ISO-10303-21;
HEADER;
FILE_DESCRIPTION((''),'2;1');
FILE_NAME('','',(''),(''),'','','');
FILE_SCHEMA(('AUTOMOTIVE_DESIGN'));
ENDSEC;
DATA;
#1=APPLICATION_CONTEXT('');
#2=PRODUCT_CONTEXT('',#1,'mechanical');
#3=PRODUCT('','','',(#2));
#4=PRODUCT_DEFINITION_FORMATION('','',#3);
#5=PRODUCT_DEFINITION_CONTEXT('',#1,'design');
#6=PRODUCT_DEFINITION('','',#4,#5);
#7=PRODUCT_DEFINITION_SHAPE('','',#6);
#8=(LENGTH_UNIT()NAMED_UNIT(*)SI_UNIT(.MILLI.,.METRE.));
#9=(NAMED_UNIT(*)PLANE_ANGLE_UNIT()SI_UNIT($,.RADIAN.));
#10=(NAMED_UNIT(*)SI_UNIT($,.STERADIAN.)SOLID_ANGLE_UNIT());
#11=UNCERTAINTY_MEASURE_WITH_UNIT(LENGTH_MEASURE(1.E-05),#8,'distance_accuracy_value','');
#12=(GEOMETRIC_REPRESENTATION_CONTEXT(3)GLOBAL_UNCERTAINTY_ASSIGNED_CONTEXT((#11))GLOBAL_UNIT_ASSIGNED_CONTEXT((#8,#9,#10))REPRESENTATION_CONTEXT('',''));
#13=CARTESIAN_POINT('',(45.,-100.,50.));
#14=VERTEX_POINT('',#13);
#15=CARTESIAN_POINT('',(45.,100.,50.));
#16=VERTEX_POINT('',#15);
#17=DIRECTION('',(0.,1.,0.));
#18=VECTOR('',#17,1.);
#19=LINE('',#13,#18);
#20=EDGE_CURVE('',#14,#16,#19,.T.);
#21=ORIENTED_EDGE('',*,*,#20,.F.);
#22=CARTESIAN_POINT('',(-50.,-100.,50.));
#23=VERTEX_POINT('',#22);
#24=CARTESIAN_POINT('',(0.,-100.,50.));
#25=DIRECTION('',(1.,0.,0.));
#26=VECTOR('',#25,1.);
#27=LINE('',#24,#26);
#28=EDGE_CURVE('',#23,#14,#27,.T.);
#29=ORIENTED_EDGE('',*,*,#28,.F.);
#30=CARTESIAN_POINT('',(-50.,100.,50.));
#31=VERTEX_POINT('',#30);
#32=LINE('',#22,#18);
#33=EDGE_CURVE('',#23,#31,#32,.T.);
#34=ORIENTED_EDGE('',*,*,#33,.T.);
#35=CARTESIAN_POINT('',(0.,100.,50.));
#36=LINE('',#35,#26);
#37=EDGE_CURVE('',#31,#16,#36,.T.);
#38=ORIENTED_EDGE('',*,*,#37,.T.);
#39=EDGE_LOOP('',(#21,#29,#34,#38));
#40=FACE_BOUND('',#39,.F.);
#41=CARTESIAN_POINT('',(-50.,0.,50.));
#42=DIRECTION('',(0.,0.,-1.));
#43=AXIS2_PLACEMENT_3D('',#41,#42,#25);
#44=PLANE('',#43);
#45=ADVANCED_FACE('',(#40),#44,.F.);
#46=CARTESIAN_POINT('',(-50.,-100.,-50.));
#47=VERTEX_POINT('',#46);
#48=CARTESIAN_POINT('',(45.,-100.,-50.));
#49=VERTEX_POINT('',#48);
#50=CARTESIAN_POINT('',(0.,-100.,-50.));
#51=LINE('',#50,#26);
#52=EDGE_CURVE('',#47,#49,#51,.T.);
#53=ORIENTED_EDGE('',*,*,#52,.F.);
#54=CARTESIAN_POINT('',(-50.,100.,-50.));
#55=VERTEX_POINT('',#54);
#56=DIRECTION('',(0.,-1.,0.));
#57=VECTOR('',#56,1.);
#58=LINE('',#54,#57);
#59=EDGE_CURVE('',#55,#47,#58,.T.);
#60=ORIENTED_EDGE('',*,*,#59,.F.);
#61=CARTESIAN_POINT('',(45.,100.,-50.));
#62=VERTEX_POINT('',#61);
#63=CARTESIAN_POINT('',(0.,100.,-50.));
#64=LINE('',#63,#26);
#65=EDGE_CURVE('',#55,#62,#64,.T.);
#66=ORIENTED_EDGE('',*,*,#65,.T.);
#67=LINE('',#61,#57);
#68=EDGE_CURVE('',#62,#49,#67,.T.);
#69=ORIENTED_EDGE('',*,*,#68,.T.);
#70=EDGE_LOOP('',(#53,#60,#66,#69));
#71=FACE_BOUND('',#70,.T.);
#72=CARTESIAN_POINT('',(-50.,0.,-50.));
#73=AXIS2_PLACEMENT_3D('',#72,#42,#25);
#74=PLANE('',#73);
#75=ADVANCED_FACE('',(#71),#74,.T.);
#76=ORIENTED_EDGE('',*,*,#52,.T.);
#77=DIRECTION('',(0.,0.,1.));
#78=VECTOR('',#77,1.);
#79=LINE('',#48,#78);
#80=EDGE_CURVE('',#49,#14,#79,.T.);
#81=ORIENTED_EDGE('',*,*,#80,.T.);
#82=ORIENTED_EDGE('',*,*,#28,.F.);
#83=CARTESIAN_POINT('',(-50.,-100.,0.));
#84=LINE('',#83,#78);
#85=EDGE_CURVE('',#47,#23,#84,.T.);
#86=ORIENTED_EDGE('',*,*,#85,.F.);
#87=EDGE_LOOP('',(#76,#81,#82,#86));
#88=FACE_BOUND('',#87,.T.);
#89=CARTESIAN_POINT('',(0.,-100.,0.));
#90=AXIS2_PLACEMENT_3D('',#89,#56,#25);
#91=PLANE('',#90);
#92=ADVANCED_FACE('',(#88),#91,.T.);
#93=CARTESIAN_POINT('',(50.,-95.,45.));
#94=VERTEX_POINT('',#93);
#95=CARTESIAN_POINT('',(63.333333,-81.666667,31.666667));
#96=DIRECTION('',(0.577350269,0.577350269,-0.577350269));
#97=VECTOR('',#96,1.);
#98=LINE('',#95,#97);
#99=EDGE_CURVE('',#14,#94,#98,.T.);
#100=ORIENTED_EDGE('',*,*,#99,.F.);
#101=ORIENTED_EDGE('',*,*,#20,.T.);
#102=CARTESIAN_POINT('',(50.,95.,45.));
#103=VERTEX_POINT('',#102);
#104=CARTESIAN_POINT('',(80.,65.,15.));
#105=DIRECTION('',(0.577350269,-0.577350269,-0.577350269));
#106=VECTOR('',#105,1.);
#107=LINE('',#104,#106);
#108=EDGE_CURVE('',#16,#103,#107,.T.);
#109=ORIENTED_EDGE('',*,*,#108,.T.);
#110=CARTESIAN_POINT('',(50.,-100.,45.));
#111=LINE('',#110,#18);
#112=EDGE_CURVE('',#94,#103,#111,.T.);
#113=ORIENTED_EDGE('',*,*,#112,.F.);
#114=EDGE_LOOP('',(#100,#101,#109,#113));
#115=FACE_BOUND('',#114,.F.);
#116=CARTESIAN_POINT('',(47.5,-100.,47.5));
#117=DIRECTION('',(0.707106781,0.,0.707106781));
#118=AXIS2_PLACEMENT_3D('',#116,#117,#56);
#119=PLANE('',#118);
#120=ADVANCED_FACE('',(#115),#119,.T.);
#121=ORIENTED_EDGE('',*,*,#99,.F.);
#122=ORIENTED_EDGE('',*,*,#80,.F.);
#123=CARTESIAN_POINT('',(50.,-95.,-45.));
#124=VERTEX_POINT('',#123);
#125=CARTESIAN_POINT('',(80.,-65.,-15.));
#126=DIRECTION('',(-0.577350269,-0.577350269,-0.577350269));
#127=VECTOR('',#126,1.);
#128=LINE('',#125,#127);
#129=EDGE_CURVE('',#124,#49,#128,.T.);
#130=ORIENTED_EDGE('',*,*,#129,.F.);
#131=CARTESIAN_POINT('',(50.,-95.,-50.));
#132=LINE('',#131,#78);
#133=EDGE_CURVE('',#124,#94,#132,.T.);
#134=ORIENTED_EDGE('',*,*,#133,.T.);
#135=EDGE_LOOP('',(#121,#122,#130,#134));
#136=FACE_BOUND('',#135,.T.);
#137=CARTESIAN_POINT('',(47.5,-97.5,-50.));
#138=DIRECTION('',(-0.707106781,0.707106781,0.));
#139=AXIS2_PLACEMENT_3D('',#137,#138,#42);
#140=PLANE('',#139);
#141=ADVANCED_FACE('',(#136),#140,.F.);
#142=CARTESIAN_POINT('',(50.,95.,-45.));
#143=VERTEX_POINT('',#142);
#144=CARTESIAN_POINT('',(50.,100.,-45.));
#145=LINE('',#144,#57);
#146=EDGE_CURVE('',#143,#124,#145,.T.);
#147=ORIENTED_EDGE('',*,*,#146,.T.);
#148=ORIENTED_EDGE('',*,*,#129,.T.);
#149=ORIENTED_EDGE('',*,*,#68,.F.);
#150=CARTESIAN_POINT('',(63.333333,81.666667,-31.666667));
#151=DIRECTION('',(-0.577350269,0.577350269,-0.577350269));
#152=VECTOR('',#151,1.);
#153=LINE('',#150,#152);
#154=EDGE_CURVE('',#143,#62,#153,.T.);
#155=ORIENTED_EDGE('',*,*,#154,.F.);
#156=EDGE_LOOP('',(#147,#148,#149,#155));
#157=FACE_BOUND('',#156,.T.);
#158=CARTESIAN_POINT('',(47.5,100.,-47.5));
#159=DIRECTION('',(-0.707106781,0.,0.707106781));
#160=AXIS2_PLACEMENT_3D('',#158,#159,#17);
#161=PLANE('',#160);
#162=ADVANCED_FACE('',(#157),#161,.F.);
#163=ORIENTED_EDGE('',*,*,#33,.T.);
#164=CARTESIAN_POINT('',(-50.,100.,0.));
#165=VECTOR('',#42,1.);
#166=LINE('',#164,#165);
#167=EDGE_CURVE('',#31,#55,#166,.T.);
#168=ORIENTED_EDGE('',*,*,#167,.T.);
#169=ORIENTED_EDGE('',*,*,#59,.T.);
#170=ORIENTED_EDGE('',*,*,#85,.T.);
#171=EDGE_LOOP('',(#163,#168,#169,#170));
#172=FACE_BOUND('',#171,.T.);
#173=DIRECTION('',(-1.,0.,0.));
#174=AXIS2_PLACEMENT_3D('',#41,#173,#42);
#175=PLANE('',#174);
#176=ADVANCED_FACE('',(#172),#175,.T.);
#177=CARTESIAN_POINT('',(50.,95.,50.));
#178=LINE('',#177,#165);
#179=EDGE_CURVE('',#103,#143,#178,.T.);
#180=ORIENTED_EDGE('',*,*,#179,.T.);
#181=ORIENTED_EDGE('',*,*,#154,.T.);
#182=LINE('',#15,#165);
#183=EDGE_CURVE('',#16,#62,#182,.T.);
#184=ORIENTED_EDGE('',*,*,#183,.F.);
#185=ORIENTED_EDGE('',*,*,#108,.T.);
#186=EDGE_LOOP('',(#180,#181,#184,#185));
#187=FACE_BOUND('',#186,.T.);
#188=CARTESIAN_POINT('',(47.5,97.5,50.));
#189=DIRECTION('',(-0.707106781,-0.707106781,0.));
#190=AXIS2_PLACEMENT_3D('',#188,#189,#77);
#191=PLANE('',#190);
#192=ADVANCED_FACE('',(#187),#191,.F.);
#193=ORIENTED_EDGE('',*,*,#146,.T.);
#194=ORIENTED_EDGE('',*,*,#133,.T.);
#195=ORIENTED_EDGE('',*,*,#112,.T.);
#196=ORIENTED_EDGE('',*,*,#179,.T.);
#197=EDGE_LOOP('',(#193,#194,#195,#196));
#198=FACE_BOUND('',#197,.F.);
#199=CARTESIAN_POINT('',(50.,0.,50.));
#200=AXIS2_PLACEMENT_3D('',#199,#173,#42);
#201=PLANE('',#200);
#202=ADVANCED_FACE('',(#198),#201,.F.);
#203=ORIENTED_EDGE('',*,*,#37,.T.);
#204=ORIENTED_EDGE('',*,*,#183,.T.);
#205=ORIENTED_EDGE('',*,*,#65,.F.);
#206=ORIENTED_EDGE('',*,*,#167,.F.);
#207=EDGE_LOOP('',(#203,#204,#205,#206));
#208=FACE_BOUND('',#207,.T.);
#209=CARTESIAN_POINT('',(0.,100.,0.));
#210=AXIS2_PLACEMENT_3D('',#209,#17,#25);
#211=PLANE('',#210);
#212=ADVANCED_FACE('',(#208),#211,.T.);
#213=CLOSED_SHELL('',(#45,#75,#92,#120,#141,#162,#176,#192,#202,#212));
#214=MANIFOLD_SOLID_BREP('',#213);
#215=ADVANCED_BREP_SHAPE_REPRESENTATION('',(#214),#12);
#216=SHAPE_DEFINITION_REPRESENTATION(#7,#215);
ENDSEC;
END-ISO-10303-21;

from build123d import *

# Parameters (mm, degrees)
F0_W      = 100
F0_H      = 100
F1_DEPTH  = 100
F1_FACE_W = 100
F1_FACE_H = 100
F2_DEPTH  = 100
F3_SIZE   = 5


with BuildPart() as f1:
    # F0 (on Front) → F1 (new body)
    with BuildSketch(Plane.XZ):
        Rectangle(F0_W, F0_H)
    extrude(amount=F1_DEPTH)

    # F1_face (on face) → F2 (join)
    with BuildSketch(Plane(origin=(0, 0, 0), x_dir=(1, 0, 0), z_dir=(0, 1, 0))):
        Rectangle(F1_FACE_W, F1_FACE_H)
    extrude(amount=F2_DEPTH)

    # F3
    f3_edges = [f1.edges().sort_by_distance(p)[0] for p in [
        (50, 0, 50),
        (50, -100, 0),
        (50, 0, -50),
        (50, 100, 0),
    ]]
    chamfer(f3_edges, length=F3_SIZE)


solid = f1.part
